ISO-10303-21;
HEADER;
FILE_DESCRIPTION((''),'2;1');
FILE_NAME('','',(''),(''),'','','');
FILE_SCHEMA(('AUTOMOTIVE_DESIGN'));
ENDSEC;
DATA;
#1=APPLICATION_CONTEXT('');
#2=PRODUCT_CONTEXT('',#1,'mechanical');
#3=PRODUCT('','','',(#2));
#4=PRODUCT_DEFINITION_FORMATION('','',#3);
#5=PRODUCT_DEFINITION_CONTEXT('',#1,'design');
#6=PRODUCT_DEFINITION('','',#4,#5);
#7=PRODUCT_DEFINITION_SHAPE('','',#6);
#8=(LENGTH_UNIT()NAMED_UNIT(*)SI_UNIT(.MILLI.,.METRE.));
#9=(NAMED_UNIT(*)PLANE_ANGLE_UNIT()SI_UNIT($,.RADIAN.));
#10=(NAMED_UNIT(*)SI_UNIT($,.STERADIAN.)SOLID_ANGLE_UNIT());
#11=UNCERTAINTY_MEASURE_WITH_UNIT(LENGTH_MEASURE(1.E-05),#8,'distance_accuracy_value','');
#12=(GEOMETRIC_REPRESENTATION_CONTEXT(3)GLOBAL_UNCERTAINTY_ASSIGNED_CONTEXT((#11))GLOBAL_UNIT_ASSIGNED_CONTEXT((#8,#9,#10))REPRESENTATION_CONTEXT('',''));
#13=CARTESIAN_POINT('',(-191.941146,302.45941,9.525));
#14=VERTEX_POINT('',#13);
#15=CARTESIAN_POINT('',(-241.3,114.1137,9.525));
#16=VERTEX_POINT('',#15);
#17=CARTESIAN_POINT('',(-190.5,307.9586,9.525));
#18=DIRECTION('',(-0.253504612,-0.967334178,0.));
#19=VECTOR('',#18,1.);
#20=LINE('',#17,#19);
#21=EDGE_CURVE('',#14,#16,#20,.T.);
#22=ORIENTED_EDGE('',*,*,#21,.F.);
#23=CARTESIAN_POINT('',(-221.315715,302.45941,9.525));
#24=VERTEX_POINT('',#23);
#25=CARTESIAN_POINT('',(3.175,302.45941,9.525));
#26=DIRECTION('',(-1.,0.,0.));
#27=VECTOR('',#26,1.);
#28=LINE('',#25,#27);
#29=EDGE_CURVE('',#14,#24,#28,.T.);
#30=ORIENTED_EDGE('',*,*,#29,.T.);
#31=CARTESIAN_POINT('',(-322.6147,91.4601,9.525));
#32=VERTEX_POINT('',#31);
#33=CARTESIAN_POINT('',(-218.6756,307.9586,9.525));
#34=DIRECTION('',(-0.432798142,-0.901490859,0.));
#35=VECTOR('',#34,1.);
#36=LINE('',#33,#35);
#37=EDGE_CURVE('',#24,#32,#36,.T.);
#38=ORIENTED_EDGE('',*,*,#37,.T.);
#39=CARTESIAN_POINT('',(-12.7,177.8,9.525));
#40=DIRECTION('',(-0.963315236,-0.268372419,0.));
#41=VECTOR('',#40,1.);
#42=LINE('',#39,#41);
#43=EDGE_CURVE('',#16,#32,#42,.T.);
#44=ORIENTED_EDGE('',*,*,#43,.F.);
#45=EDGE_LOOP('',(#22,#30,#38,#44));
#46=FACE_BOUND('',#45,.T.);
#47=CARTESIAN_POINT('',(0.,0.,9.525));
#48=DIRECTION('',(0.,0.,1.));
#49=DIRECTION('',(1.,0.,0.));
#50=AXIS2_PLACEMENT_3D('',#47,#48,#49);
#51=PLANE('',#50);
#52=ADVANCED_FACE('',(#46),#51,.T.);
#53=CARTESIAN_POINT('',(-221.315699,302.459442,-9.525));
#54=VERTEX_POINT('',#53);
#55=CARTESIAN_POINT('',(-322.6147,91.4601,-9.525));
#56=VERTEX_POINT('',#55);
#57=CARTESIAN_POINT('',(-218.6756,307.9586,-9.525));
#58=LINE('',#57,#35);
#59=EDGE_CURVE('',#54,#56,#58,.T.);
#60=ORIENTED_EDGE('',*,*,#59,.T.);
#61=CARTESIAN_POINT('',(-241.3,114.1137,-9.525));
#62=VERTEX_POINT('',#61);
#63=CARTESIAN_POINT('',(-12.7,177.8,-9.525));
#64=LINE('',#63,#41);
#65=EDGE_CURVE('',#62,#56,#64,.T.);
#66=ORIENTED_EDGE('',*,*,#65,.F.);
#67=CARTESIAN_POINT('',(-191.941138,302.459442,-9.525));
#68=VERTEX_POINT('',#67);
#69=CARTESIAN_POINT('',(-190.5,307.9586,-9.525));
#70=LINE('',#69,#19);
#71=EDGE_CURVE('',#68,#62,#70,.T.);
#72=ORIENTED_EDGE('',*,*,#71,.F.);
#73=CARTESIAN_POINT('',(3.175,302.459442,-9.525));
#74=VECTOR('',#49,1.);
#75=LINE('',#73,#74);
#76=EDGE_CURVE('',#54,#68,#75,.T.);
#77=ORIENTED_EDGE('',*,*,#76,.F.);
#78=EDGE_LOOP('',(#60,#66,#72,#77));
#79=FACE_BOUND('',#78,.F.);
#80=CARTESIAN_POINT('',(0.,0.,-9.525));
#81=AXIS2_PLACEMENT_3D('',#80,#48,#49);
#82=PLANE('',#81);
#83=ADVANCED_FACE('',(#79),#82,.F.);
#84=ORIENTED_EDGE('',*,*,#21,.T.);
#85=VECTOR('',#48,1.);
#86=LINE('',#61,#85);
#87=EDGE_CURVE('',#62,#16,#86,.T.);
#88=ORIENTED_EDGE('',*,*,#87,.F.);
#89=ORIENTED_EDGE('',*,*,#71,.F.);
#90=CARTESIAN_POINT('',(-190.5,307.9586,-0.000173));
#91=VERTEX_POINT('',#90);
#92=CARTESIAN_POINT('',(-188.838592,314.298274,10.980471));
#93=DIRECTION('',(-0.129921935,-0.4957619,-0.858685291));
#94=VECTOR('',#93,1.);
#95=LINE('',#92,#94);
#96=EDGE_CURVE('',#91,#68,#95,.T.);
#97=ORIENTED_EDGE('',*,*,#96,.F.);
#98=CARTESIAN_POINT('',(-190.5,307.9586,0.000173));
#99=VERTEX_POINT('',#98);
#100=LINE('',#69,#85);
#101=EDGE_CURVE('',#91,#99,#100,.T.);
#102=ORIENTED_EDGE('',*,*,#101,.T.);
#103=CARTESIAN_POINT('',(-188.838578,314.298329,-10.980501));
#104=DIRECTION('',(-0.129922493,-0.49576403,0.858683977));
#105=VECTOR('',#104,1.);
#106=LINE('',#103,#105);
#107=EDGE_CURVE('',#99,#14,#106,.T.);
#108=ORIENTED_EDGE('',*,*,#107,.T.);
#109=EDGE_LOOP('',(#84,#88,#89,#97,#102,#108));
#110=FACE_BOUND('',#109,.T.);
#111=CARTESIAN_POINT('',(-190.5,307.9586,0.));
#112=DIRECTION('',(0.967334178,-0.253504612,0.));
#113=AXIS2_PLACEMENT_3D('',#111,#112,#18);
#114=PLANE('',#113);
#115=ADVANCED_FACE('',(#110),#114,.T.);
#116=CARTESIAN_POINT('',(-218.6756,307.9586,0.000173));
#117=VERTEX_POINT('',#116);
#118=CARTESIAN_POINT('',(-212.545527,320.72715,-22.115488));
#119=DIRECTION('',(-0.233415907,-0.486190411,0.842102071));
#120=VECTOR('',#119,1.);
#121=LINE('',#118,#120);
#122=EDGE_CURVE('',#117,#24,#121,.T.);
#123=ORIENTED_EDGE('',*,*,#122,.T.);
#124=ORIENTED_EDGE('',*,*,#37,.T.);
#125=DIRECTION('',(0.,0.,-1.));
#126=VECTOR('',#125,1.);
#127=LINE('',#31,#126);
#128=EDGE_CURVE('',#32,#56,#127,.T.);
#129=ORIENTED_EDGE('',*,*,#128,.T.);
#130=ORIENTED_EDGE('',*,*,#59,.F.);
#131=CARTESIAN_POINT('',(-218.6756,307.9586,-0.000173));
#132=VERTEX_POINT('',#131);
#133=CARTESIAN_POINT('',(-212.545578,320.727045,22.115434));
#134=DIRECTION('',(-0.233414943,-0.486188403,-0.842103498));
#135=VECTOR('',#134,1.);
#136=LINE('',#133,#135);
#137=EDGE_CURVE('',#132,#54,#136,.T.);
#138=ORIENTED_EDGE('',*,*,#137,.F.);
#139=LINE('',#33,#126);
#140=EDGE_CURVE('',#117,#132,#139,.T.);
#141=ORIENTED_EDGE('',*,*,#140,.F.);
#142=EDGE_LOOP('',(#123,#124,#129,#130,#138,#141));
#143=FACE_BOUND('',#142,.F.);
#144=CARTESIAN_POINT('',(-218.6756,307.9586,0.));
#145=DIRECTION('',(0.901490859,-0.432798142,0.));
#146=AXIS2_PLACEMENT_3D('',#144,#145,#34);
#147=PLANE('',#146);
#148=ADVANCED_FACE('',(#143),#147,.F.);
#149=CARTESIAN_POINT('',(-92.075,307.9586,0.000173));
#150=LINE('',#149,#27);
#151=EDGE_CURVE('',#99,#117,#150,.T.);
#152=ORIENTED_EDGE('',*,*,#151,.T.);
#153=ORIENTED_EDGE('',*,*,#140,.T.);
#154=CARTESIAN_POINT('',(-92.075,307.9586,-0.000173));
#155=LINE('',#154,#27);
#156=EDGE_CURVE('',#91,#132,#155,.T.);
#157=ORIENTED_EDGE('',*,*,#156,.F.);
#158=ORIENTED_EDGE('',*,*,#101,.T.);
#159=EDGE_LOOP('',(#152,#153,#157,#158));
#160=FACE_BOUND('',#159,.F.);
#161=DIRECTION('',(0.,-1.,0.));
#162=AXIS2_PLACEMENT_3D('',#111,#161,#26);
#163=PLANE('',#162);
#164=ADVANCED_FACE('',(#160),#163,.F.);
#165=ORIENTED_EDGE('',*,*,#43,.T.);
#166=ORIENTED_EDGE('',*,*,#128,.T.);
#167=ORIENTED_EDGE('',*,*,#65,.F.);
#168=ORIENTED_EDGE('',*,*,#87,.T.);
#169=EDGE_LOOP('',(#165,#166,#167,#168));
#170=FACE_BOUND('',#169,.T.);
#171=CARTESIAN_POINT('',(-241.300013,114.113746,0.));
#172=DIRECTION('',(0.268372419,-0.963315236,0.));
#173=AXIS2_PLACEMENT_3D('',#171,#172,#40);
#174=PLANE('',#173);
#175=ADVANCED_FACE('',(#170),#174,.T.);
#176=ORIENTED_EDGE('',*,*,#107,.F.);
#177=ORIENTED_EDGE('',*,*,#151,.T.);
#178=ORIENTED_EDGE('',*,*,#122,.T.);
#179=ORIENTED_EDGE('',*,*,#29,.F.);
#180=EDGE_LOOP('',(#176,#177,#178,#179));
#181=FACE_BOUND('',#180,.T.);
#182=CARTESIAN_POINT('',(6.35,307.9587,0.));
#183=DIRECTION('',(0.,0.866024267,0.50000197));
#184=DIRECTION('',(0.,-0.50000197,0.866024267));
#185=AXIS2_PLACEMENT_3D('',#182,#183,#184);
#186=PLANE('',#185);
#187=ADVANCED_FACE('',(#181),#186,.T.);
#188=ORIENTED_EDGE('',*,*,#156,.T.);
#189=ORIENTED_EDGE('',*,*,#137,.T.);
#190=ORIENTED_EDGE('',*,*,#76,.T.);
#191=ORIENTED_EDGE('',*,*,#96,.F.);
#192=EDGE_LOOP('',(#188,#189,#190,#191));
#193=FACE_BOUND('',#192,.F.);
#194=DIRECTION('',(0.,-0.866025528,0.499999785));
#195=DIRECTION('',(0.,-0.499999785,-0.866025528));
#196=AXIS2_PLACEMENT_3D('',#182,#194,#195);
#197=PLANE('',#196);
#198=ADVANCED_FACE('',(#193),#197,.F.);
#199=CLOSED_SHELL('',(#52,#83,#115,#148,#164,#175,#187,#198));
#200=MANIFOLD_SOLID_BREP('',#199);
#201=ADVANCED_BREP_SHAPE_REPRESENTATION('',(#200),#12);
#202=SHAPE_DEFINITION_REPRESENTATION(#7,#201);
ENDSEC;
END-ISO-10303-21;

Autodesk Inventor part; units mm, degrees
ref_plane "YZ Plane" through (0, 0, 0) normal (1, 0, 0) x (0, 1, 0)
ref_plane "XZ Plane" through (0, 0, 0) normal (0, 1, 0) x (-1, 0, 0)
ref_plane "XY Plane" through (0, 0, 0) normal (0, 0, 1) x (1, 0, 0)
sketch "Sketch1" plane through (0, 0, 0) normal (0, 0, 1) x (1, 0, 0)
  line L0 (-12.7, 177.8) -> (-520.7, 36.275) projected
  line L1 (111.76, 307.9586) -> (-626.11, 307.9586)
  line L2 (-218.6756, 307.9586) -> (-322.6147, 91.4601)
  line L3 (-190.5, 307.9586) -> (-241.3, 114.1137)
  line L4 (-190.5, 307.9586) -> (-218.6756, 307.9586)
  line L5 (-241.3, 114.1137) -> (-322.6147, 91.4601)
  point P0 (0, 0)
  dimension "d0" = 63.5
  dimension "d1" = 25.4
  dimension "d2" = 177.8
  dimension "d3" = 228.6
extrude "Extrusion1" add sketch "Sketch1" along normal mid plane 19.05
ref_plane "Work Plane1" through (6.35, 234.144, 0) normal (1, 0, 0) x (0, 0, -1)
sketch "Sketch2" plane through (6.35, 234.144, 0) normal (1, 0, 0) x (0, 0, -1)
  line L0 (9.525, 73.8147) -> (-9.525, 73.8147) projected
  line L1 (0, 73.8147) -> (-10.7636, 67.6003)
  line L2 (-10.7636, 67.6003) -> (-10.7636, 77.979)
  line L3 (0, 73.8147) -> (12.8397, 66.4017)
  line L4 (12.8397, 66.4017) -> (12.8397, 77.979)
  line L5 (-10.7636, 77.979) -> (12.8397, 77.979)
  point P0 (0, -234.144)
  dimension "d6" = 120
  dimension "d7" = 60
  dimension "d8" = 60
extrude "Extrusion2" cut sketch "Sketch2" against normal through all
properties part number "LegConnector"
